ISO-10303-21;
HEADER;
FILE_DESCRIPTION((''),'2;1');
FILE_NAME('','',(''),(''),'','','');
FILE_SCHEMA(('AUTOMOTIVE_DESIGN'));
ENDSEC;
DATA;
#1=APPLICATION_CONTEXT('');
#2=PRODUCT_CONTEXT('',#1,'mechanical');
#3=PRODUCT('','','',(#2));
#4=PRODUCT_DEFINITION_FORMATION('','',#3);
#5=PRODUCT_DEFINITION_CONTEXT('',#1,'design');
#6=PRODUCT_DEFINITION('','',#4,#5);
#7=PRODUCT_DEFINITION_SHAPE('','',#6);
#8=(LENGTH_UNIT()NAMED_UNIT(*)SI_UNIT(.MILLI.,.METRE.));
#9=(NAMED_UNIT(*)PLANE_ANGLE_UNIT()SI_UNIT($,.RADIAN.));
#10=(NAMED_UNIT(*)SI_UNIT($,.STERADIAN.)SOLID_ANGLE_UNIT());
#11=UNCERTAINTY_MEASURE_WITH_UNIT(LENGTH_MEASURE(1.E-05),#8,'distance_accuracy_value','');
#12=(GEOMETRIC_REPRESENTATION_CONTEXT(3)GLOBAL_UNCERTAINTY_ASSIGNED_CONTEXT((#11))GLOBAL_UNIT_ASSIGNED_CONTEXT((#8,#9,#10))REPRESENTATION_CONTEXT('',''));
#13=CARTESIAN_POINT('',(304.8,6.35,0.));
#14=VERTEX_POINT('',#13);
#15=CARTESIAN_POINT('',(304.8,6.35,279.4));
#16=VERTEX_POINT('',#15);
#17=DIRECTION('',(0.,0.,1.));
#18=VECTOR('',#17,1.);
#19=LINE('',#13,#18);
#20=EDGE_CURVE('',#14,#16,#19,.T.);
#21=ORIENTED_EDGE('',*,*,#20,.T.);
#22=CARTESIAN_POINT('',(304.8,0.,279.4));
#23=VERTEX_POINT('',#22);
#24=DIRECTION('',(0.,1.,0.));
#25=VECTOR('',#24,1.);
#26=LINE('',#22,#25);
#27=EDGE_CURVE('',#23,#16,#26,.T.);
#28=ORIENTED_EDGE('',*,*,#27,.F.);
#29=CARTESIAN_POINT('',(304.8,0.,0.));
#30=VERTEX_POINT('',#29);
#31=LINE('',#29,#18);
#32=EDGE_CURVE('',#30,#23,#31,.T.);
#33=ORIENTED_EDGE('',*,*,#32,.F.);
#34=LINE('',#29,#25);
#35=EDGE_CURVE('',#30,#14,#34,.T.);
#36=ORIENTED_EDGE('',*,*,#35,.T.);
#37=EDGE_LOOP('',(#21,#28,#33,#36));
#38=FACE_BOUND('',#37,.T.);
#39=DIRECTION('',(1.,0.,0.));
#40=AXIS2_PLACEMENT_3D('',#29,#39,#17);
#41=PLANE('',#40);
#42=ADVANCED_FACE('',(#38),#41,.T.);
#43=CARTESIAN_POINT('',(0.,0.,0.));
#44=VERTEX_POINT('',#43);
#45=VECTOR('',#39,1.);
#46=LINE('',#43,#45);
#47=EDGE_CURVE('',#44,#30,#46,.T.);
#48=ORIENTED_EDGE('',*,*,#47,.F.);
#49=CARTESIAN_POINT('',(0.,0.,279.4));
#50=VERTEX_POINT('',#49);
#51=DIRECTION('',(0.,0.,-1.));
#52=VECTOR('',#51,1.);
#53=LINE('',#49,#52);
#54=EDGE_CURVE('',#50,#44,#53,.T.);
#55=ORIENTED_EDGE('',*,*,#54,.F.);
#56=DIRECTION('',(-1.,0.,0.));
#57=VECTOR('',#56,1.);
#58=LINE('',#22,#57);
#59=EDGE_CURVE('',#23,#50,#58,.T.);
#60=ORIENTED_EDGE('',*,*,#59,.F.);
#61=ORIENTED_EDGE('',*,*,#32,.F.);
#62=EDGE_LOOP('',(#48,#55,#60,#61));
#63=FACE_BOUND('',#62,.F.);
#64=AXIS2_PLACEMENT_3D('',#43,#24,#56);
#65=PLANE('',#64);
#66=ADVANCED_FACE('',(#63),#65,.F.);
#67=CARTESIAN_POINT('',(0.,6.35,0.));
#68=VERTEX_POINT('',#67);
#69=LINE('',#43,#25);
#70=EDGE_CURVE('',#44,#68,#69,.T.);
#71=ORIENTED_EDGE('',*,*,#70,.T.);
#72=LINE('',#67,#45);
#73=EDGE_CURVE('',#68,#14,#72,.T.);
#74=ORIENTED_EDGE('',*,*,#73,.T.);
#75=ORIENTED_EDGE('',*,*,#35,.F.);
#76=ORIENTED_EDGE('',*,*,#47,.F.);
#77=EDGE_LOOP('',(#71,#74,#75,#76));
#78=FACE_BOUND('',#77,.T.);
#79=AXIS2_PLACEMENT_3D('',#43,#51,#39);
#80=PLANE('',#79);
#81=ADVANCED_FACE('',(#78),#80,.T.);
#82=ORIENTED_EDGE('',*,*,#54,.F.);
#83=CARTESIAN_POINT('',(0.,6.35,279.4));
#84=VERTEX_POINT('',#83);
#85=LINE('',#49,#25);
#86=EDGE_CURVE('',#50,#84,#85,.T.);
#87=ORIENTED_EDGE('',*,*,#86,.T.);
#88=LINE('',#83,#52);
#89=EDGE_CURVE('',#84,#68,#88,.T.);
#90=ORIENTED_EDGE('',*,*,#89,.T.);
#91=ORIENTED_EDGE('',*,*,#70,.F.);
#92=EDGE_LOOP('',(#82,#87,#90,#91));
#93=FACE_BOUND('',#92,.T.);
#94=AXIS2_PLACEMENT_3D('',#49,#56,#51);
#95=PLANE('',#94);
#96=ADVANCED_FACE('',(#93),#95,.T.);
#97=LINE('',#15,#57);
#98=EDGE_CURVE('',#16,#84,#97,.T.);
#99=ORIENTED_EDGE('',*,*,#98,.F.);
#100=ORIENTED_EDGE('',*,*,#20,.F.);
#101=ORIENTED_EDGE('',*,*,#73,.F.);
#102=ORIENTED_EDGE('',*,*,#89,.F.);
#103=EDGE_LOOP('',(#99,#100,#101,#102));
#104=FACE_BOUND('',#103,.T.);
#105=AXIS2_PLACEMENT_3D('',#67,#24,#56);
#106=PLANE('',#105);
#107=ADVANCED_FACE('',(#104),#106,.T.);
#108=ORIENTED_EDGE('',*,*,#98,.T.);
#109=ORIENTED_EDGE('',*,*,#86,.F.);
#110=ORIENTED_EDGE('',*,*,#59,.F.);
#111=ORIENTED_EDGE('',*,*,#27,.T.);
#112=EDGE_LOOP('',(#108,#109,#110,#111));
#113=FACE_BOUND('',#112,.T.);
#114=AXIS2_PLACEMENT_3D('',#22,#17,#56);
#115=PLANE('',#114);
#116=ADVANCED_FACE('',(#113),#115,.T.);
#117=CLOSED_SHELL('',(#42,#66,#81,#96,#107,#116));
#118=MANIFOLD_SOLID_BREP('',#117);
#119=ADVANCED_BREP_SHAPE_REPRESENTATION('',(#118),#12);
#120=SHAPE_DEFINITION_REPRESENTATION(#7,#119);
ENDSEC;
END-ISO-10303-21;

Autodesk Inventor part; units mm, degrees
ref_plane "YZ Plane" through (0, 0, 0) normal (1, 0, 0) x (0, 1, 0)
ref_plane "XZ Plane" through (0, 0, 0) normal (0, 1, 0) x (-1, 0, 0)
ref_plane "XY Plane" through (0, 0, 0) normal (0, 0, 1) x (1, 0, 0)
sketch "Sketch1" plane through (0, 0, 0) normal (0, 1, 0) x (-1, 0, 0)
  line L0 (0, 0) -> (-304.8, 0)
  line L1 (-304.8, 0) -> (-304.8, 279.4)
  line L2 (-304.8, 279.4) -> (0, 279.4)
  line L3 (0, 279.4) -> (0, 0)
  dimension "d0" = 279.4
  dimension "d1" = 304.8
extrude "Extrusion1" add sketch "Sketch1" along normal blind 6.35
properties part number "Base"
